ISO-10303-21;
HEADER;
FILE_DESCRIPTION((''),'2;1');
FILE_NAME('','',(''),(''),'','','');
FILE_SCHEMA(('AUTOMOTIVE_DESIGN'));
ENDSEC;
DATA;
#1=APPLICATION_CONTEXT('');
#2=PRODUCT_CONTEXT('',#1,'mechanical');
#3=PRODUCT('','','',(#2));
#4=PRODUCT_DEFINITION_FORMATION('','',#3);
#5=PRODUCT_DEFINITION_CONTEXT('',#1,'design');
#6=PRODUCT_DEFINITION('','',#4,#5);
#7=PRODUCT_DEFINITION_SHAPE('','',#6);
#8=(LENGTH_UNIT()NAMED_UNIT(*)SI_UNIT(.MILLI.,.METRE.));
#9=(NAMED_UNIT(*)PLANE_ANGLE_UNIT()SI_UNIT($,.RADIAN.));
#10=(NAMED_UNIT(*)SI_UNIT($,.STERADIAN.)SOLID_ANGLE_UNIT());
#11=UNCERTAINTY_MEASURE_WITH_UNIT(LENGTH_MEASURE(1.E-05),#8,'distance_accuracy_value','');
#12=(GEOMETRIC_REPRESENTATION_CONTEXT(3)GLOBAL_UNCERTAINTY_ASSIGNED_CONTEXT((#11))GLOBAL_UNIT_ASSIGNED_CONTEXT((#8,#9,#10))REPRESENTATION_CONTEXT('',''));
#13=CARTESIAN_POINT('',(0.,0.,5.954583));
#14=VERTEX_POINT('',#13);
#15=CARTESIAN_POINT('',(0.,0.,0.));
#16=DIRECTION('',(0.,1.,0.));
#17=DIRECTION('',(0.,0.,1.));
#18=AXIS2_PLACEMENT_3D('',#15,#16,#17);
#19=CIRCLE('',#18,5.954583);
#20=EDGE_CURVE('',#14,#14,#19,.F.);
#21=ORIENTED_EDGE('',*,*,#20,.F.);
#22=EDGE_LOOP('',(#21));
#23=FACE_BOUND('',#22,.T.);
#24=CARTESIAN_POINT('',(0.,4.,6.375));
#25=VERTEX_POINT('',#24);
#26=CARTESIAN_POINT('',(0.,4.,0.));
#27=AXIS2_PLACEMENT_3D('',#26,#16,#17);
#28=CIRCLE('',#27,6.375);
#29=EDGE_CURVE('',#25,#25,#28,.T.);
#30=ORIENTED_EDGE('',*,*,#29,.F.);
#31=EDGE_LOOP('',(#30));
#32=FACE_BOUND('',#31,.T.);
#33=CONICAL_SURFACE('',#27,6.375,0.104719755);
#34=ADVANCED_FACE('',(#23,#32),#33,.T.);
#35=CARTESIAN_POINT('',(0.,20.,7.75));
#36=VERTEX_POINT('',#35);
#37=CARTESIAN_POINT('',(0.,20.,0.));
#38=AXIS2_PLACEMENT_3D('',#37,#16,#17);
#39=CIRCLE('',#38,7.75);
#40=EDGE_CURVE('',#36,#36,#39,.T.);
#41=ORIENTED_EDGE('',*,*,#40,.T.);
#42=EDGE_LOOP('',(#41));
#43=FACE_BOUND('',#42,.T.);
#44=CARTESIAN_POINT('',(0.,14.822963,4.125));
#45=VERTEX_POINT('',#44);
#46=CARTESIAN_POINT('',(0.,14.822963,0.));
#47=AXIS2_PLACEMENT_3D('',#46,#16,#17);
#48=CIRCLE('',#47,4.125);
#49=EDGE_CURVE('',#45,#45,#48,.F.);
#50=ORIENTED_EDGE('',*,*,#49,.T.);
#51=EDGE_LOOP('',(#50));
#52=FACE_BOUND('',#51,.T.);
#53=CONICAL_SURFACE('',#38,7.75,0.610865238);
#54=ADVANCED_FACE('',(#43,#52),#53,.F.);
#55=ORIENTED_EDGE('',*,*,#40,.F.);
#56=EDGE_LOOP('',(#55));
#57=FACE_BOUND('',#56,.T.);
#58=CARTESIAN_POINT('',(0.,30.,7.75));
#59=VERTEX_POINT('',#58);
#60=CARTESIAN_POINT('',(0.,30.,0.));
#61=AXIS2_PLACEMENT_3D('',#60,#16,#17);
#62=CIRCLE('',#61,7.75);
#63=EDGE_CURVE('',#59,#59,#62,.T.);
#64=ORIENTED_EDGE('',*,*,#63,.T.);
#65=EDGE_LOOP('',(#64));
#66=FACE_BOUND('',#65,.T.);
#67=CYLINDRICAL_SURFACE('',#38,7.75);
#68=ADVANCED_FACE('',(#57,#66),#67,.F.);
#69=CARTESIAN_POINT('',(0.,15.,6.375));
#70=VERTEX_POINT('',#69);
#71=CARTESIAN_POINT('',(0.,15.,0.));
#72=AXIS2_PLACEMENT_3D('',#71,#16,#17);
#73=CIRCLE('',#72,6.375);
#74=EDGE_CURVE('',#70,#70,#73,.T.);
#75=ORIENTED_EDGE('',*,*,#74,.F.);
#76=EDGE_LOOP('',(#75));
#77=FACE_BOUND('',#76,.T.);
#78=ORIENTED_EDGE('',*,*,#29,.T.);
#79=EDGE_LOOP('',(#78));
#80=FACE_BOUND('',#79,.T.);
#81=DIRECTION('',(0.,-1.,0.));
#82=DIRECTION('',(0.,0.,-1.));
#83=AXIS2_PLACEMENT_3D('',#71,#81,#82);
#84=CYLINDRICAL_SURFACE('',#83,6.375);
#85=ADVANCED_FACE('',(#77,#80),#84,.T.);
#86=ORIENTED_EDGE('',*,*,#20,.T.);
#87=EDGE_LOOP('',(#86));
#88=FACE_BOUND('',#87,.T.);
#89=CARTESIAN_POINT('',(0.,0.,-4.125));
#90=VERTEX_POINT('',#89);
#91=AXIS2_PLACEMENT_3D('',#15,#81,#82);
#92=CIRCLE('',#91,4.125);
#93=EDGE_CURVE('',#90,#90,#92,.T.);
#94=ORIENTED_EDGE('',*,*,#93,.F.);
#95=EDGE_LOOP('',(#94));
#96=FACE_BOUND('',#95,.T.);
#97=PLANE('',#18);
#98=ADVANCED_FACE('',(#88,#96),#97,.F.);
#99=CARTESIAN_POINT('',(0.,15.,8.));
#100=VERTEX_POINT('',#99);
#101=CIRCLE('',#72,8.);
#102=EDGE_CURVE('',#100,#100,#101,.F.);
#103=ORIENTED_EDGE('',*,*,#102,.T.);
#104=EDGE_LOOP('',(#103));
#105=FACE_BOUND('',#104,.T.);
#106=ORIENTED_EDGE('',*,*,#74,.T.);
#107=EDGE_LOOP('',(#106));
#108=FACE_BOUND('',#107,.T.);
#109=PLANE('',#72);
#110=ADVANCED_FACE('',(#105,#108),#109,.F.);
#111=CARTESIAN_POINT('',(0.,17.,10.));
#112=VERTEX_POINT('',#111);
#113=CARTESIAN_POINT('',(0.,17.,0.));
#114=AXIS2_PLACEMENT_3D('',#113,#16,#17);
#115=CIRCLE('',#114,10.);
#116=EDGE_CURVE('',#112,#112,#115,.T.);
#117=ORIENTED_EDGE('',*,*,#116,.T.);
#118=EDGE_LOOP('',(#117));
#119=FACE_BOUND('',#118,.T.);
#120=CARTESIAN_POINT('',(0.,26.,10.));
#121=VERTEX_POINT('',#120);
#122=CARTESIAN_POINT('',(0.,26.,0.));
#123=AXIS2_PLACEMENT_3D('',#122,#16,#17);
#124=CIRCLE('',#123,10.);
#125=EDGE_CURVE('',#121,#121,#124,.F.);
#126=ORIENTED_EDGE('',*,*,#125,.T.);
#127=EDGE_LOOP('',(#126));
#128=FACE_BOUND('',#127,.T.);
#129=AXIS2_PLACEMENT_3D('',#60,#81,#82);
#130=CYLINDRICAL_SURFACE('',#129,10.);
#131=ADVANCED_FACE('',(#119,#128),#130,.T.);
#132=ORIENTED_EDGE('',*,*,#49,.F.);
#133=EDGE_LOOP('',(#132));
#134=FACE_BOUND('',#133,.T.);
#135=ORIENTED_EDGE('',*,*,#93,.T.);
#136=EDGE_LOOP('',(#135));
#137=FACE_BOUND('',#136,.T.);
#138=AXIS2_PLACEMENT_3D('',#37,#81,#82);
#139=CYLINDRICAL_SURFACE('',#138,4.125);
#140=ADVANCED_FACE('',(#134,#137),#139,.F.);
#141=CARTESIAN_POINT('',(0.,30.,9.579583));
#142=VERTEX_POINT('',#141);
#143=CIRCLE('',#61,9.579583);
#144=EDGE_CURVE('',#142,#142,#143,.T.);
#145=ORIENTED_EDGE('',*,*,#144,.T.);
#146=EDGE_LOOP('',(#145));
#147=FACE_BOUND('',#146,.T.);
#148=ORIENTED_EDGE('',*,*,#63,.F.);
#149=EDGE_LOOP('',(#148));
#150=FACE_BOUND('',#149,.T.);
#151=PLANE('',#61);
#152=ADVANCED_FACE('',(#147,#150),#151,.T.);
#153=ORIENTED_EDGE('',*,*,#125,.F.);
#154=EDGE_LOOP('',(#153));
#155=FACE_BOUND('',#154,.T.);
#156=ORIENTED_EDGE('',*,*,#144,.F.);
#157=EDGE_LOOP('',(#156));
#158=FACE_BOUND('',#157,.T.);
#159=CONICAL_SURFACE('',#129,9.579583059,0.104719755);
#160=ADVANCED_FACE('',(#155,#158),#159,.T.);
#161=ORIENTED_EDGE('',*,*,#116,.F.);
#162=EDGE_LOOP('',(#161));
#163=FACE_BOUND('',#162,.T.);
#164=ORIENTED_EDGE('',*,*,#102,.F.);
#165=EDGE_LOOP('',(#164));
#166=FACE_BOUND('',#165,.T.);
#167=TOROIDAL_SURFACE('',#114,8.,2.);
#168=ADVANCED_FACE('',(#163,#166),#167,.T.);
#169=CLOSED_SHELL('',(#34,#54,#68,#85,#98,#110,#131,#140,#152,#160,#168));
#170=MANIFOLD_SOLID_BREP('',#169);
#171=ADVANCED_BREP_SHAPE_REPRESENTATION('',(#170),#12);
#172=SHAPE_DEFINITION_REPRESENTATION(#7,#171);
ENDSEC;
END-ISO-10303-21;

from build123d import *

# Parameters (mm, degrees)
SKETCH1_R           = 6.375
BOSS_EXTRUDE1_DEPTH = 15
SKETCH9_R           = 10
BOSS_EXTRUDE5_DEPTH = 15
SKETCH10_R          = 7.75
CUT_EXTRUDE4_DEPTH  = 10
SKETCH11_R          = 7.75
CUT_EXTRUDE5_DEPTH  = 7
CUT_EXTRUDE5_DRAFT  = -35
SKETCH12_R          = 4.125
CUT_EXTRUDE6_DEPTH  = 20
CHAMFER1_SIZE       = 4
CHAMFER1_SIZE2      = 0.420416941
CHAMFER2_SIZE       = 4
CHAMFER2_SIZE2      = 0.420416941
FILLET2_R           = 2


with BuildPart() as part:
    # Sketch1 → Boss-Extrude1 (new body)
    with BuildSketch(Plane(origin=(0, 0, 0), x_dir=(1, 0, 0), z_dir=(0, 1, 0))):
        with Locations(Location((0, 0, 0), (0, 0, 270))):
            Circle(SKETCH1_R)
    extrude(amount=BOSS_EXTRUDE1_DEPTH)

    # Sketch9 → Boss-Extrude5 (add)
    with BuildSketch(Plane(origin=(0, 15, 0), x_dir=(1, 0, 0), z_dir=(0, 1, 0))):
        with Locations(Location((0, 0, 0), (0, 0, 270))):
            Circle(SKETCH9_R)
    extrude(amount=BOSS_EXTRUDE5_DEPTH)

    # Sketch10 → Cut-Extrude4 (cut)
    with BuildSketch(Plane(origin=(0, 30, 0), x_dir=(1, 0, 0), z_dir=(0, 1, 0))):
        with Locations(Location((0, 0, 0), (0, 0, 270))):
            Circle(SKETCH10_R)
    extrude(amount=-CUT_EXTRUDE4_DEPTH, mode=Mode.SUBTRACT)


with BuildPart() as cut_extrude5_tool:
    # Sketch11 → Cut-Extrude5 (with draft: the straight prism first)
    with BuildSketch(Plane(origin=(0, 20, 0), x_dir=(1, 0, 0), z_dir=(0, 1, 0))):
        with Locations(Location((0, 0, 0), (0, 0, 270))):
            Circle(SKETCH11_R)
    extrude(amount=-CUT_EXTRUDE5_DEPTH)
    # Cut-Extrude5: the draft: its side faces are tilted about the plane it starts from
    cut_extrude5_sides = [cut_extrude5_tool.faces().sort_by_distance(p)[0] for p in [
        (0, 16.5, -7.75),
    ]]
    draft(cut_extrude5_sides, Plane(origin=(0, 20, 0), x_dir=(1, 0, 0), z_dir=(0, 1, 0)), CUT_EXTRUDE5_DRAFT)


with BuildPart() as part_1:
    add(part.part)

    # Cut-Extrude5: cut by cut_extrude5_tool
    add(cut_extrude5_tool.part, mode=Mode.SUBTRACT)

    # Sketch12 → Cut-Extrude6 (cut)
    with BuildSketch(Plane.XZ):
        with Locations(Location((0, 0, 0), (0, 0, 270))):
            Circle(SKETCH12_R)
    extrude(amount=-CUT_EXTRUDE6_DEPTH, mode=Mode.SUBTRACT)

    # Chamfer1
    chamfer1_edges = [part_1.edges().sort_by_distance(p)[0] for p in [
        (0, 30, -10),
    ]]
    chamfer1_side = [part_1.faces().sort_by_distance(p)[0] for p in [
        (0, 22.5, -10),
    ]]
    chamfer(chamfer1_edges, length=CHAMFER1_SIZE, length2=CHAMFER1_SIZE2, reference=chamfer1_side[0])

    # Chamfer2
    chamfer2_edges = [part_1.edges().sort_by_distance(p)[0] for p in [
        (0, 0, -6.375),
    ]]
    chamfer2_side = [part_1.faces().sort_by_distance(p)[0] for p in [
        (0, 7.5, -6.375),
    ]]
    chamfer(chamfer2_edges, length=CHAMFER2_SIZE, length2=CHAMFER2_SIZE2, reference=chamfer2_side[0])

    # Fillet2
    fillet2_edges = [part_1.edges().sort_by_distance(p)[0] for p in [
        (0, 15, -10),
    ]]
    fillet(fillet2_edges, radius=FILLET2_R)


solid = part_1.part
